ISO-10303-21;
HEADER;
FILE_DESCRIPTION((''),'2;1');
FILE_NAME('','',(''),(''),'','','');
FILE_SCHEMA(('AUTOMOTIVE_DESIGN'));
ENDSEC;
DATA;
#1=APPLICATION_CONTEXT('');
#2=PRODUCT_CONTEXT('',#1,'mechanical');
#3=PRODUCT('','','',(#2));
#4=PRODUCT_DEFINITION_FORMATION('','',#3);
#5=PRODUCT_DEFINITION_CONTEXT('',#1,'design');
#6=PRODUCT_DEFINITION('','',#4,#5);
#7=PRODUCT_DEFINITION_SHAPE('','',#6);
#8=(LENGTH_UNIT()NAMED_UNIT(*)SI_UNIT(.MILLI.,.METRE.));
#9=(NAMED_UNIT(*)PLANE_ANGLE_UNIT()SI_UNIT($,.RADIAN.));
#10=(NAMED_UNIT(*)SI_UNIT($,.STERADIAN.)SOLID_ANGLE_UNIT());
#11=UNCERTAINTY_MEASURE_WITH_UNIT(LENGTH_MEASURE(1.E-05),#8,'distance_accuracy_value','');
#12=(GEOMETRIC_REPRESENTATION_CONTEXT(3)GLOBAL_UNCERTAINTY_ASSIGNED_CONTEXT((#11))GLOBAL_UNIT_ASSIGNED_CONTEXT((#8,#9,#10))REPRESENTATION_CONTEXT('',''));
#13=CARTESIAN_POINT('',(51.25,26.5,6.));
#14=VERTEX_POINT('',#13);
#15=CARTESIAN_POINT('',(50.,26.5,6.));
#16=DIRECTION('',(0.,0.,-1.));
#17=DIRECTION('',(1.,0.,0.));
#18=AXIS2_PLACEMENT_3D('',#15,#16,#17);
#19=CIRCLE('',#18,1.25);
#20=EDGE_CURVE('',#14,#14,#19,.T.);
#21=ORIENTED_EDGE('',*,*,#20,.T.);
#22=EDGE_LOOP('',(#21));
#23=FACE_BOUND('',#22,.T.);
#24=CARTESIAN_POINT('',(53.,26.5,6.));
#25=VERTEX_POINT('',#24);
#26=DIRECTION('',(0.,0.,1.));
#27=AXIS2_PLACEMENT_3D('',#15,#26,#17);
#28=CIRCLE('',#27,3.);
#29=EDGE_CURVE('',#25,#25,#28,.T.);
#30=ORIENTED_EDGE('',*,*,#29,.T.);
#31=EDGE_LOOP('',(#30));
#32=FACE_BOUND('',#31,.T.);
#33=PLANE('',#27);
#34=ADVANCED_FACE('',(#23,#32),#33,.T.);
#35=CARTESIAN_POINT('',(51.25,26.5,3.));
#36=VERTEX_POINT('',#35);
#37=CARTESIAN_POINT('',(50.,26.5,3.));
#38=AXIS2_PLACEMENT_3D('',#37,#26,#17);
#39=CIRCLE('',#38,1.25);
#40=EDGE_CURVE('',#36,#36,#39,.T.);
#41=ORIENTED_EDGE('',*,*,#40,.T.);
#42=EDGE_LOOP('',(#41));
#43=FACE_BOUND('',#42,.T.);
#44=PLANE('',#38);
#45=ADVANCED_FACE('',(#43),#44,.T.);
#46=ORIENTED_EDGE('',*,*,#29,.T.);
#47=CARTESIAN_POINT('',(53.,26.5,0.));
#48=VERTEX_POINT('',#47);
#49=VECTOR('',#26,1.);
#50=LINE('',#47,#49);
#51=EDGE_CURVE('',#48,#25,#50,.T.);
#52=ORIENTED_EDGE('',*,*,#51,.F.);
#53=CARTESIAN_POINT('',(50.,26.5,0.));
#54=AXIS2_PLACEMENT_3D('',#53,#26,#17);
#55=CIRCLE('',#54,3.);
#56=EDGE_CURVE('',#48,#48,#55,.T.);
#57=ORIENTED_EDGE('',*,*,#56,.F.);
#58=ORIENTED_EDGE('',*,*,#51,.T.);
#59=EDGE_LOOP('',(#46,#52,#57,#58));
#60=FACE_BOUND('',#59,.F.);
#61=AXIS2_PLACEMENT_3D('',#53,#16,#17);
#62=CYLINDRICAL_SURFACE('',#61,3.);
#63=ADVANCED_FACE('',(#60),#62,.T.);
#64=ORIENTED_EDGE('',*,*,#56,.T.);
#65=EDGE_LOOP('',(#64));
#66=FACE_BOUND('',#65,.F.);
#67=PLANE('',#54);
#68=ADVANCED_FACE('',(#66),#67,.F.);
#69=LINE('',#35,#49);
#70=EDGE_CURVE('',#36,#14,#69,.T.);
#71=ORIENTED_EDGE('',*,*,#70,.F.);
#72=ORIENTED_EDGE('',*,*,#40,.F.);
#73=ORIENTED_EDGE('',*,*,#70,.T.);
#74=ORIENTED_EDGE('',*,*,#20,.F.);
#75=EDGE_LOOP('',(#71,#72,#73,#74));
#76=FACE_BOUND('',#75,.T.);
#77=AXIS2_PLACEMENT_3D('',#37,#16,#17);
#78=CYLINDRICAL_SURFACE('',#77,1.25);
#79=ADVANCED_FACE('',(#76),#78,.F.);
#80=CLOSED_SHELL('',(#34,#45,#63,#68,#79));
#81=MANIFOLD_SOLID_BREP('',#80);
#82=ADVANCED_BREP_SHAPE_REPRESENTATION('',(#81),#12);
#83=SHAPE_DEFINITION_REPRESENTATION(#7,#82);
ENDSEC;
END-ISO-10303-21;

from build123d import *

# Parameters (mm, degrees)
CYLINDER017_R     = 1.25
CYLINDER017_DEPTH = 5
CYLINDER009_R     = 3
CYLINDER009_DEPTH = 6


with BuildPart() as b_sw006:
    # Cylinder017 → Cylinder017 (new body)
    with BuildSketch(Plane(origin=(10, 14, 3), x_dir=(1, 0, 0), z_dir=(0, 0, 1))):
        Circle(CYLINDER017_R)
    extrude(amount=CYLINDER017_DEPTH)


with BuildPart() as h_cut035:
    # Cylinder009 → Cylinder009 (new body)
    with BuildSketch(Plane(origin=(10, 14, 0), x_dir=(1, 0, 0), z_dir=(0, 0, 1))):
        Circle(CYLINDER009_R)
    extrude(amount=CYLINDER009_DEPTH)

    # Cut035: cut B_SW006
    add(b_sw006.part, mode=Mode.SUBTRACT)


with BuildPart() as h_cut035_1:
    # Cut035 placement: moved
    add(h_cut035.part.moved(Location((40, 12.5, 0))))


solid = h_cut035_1.part
